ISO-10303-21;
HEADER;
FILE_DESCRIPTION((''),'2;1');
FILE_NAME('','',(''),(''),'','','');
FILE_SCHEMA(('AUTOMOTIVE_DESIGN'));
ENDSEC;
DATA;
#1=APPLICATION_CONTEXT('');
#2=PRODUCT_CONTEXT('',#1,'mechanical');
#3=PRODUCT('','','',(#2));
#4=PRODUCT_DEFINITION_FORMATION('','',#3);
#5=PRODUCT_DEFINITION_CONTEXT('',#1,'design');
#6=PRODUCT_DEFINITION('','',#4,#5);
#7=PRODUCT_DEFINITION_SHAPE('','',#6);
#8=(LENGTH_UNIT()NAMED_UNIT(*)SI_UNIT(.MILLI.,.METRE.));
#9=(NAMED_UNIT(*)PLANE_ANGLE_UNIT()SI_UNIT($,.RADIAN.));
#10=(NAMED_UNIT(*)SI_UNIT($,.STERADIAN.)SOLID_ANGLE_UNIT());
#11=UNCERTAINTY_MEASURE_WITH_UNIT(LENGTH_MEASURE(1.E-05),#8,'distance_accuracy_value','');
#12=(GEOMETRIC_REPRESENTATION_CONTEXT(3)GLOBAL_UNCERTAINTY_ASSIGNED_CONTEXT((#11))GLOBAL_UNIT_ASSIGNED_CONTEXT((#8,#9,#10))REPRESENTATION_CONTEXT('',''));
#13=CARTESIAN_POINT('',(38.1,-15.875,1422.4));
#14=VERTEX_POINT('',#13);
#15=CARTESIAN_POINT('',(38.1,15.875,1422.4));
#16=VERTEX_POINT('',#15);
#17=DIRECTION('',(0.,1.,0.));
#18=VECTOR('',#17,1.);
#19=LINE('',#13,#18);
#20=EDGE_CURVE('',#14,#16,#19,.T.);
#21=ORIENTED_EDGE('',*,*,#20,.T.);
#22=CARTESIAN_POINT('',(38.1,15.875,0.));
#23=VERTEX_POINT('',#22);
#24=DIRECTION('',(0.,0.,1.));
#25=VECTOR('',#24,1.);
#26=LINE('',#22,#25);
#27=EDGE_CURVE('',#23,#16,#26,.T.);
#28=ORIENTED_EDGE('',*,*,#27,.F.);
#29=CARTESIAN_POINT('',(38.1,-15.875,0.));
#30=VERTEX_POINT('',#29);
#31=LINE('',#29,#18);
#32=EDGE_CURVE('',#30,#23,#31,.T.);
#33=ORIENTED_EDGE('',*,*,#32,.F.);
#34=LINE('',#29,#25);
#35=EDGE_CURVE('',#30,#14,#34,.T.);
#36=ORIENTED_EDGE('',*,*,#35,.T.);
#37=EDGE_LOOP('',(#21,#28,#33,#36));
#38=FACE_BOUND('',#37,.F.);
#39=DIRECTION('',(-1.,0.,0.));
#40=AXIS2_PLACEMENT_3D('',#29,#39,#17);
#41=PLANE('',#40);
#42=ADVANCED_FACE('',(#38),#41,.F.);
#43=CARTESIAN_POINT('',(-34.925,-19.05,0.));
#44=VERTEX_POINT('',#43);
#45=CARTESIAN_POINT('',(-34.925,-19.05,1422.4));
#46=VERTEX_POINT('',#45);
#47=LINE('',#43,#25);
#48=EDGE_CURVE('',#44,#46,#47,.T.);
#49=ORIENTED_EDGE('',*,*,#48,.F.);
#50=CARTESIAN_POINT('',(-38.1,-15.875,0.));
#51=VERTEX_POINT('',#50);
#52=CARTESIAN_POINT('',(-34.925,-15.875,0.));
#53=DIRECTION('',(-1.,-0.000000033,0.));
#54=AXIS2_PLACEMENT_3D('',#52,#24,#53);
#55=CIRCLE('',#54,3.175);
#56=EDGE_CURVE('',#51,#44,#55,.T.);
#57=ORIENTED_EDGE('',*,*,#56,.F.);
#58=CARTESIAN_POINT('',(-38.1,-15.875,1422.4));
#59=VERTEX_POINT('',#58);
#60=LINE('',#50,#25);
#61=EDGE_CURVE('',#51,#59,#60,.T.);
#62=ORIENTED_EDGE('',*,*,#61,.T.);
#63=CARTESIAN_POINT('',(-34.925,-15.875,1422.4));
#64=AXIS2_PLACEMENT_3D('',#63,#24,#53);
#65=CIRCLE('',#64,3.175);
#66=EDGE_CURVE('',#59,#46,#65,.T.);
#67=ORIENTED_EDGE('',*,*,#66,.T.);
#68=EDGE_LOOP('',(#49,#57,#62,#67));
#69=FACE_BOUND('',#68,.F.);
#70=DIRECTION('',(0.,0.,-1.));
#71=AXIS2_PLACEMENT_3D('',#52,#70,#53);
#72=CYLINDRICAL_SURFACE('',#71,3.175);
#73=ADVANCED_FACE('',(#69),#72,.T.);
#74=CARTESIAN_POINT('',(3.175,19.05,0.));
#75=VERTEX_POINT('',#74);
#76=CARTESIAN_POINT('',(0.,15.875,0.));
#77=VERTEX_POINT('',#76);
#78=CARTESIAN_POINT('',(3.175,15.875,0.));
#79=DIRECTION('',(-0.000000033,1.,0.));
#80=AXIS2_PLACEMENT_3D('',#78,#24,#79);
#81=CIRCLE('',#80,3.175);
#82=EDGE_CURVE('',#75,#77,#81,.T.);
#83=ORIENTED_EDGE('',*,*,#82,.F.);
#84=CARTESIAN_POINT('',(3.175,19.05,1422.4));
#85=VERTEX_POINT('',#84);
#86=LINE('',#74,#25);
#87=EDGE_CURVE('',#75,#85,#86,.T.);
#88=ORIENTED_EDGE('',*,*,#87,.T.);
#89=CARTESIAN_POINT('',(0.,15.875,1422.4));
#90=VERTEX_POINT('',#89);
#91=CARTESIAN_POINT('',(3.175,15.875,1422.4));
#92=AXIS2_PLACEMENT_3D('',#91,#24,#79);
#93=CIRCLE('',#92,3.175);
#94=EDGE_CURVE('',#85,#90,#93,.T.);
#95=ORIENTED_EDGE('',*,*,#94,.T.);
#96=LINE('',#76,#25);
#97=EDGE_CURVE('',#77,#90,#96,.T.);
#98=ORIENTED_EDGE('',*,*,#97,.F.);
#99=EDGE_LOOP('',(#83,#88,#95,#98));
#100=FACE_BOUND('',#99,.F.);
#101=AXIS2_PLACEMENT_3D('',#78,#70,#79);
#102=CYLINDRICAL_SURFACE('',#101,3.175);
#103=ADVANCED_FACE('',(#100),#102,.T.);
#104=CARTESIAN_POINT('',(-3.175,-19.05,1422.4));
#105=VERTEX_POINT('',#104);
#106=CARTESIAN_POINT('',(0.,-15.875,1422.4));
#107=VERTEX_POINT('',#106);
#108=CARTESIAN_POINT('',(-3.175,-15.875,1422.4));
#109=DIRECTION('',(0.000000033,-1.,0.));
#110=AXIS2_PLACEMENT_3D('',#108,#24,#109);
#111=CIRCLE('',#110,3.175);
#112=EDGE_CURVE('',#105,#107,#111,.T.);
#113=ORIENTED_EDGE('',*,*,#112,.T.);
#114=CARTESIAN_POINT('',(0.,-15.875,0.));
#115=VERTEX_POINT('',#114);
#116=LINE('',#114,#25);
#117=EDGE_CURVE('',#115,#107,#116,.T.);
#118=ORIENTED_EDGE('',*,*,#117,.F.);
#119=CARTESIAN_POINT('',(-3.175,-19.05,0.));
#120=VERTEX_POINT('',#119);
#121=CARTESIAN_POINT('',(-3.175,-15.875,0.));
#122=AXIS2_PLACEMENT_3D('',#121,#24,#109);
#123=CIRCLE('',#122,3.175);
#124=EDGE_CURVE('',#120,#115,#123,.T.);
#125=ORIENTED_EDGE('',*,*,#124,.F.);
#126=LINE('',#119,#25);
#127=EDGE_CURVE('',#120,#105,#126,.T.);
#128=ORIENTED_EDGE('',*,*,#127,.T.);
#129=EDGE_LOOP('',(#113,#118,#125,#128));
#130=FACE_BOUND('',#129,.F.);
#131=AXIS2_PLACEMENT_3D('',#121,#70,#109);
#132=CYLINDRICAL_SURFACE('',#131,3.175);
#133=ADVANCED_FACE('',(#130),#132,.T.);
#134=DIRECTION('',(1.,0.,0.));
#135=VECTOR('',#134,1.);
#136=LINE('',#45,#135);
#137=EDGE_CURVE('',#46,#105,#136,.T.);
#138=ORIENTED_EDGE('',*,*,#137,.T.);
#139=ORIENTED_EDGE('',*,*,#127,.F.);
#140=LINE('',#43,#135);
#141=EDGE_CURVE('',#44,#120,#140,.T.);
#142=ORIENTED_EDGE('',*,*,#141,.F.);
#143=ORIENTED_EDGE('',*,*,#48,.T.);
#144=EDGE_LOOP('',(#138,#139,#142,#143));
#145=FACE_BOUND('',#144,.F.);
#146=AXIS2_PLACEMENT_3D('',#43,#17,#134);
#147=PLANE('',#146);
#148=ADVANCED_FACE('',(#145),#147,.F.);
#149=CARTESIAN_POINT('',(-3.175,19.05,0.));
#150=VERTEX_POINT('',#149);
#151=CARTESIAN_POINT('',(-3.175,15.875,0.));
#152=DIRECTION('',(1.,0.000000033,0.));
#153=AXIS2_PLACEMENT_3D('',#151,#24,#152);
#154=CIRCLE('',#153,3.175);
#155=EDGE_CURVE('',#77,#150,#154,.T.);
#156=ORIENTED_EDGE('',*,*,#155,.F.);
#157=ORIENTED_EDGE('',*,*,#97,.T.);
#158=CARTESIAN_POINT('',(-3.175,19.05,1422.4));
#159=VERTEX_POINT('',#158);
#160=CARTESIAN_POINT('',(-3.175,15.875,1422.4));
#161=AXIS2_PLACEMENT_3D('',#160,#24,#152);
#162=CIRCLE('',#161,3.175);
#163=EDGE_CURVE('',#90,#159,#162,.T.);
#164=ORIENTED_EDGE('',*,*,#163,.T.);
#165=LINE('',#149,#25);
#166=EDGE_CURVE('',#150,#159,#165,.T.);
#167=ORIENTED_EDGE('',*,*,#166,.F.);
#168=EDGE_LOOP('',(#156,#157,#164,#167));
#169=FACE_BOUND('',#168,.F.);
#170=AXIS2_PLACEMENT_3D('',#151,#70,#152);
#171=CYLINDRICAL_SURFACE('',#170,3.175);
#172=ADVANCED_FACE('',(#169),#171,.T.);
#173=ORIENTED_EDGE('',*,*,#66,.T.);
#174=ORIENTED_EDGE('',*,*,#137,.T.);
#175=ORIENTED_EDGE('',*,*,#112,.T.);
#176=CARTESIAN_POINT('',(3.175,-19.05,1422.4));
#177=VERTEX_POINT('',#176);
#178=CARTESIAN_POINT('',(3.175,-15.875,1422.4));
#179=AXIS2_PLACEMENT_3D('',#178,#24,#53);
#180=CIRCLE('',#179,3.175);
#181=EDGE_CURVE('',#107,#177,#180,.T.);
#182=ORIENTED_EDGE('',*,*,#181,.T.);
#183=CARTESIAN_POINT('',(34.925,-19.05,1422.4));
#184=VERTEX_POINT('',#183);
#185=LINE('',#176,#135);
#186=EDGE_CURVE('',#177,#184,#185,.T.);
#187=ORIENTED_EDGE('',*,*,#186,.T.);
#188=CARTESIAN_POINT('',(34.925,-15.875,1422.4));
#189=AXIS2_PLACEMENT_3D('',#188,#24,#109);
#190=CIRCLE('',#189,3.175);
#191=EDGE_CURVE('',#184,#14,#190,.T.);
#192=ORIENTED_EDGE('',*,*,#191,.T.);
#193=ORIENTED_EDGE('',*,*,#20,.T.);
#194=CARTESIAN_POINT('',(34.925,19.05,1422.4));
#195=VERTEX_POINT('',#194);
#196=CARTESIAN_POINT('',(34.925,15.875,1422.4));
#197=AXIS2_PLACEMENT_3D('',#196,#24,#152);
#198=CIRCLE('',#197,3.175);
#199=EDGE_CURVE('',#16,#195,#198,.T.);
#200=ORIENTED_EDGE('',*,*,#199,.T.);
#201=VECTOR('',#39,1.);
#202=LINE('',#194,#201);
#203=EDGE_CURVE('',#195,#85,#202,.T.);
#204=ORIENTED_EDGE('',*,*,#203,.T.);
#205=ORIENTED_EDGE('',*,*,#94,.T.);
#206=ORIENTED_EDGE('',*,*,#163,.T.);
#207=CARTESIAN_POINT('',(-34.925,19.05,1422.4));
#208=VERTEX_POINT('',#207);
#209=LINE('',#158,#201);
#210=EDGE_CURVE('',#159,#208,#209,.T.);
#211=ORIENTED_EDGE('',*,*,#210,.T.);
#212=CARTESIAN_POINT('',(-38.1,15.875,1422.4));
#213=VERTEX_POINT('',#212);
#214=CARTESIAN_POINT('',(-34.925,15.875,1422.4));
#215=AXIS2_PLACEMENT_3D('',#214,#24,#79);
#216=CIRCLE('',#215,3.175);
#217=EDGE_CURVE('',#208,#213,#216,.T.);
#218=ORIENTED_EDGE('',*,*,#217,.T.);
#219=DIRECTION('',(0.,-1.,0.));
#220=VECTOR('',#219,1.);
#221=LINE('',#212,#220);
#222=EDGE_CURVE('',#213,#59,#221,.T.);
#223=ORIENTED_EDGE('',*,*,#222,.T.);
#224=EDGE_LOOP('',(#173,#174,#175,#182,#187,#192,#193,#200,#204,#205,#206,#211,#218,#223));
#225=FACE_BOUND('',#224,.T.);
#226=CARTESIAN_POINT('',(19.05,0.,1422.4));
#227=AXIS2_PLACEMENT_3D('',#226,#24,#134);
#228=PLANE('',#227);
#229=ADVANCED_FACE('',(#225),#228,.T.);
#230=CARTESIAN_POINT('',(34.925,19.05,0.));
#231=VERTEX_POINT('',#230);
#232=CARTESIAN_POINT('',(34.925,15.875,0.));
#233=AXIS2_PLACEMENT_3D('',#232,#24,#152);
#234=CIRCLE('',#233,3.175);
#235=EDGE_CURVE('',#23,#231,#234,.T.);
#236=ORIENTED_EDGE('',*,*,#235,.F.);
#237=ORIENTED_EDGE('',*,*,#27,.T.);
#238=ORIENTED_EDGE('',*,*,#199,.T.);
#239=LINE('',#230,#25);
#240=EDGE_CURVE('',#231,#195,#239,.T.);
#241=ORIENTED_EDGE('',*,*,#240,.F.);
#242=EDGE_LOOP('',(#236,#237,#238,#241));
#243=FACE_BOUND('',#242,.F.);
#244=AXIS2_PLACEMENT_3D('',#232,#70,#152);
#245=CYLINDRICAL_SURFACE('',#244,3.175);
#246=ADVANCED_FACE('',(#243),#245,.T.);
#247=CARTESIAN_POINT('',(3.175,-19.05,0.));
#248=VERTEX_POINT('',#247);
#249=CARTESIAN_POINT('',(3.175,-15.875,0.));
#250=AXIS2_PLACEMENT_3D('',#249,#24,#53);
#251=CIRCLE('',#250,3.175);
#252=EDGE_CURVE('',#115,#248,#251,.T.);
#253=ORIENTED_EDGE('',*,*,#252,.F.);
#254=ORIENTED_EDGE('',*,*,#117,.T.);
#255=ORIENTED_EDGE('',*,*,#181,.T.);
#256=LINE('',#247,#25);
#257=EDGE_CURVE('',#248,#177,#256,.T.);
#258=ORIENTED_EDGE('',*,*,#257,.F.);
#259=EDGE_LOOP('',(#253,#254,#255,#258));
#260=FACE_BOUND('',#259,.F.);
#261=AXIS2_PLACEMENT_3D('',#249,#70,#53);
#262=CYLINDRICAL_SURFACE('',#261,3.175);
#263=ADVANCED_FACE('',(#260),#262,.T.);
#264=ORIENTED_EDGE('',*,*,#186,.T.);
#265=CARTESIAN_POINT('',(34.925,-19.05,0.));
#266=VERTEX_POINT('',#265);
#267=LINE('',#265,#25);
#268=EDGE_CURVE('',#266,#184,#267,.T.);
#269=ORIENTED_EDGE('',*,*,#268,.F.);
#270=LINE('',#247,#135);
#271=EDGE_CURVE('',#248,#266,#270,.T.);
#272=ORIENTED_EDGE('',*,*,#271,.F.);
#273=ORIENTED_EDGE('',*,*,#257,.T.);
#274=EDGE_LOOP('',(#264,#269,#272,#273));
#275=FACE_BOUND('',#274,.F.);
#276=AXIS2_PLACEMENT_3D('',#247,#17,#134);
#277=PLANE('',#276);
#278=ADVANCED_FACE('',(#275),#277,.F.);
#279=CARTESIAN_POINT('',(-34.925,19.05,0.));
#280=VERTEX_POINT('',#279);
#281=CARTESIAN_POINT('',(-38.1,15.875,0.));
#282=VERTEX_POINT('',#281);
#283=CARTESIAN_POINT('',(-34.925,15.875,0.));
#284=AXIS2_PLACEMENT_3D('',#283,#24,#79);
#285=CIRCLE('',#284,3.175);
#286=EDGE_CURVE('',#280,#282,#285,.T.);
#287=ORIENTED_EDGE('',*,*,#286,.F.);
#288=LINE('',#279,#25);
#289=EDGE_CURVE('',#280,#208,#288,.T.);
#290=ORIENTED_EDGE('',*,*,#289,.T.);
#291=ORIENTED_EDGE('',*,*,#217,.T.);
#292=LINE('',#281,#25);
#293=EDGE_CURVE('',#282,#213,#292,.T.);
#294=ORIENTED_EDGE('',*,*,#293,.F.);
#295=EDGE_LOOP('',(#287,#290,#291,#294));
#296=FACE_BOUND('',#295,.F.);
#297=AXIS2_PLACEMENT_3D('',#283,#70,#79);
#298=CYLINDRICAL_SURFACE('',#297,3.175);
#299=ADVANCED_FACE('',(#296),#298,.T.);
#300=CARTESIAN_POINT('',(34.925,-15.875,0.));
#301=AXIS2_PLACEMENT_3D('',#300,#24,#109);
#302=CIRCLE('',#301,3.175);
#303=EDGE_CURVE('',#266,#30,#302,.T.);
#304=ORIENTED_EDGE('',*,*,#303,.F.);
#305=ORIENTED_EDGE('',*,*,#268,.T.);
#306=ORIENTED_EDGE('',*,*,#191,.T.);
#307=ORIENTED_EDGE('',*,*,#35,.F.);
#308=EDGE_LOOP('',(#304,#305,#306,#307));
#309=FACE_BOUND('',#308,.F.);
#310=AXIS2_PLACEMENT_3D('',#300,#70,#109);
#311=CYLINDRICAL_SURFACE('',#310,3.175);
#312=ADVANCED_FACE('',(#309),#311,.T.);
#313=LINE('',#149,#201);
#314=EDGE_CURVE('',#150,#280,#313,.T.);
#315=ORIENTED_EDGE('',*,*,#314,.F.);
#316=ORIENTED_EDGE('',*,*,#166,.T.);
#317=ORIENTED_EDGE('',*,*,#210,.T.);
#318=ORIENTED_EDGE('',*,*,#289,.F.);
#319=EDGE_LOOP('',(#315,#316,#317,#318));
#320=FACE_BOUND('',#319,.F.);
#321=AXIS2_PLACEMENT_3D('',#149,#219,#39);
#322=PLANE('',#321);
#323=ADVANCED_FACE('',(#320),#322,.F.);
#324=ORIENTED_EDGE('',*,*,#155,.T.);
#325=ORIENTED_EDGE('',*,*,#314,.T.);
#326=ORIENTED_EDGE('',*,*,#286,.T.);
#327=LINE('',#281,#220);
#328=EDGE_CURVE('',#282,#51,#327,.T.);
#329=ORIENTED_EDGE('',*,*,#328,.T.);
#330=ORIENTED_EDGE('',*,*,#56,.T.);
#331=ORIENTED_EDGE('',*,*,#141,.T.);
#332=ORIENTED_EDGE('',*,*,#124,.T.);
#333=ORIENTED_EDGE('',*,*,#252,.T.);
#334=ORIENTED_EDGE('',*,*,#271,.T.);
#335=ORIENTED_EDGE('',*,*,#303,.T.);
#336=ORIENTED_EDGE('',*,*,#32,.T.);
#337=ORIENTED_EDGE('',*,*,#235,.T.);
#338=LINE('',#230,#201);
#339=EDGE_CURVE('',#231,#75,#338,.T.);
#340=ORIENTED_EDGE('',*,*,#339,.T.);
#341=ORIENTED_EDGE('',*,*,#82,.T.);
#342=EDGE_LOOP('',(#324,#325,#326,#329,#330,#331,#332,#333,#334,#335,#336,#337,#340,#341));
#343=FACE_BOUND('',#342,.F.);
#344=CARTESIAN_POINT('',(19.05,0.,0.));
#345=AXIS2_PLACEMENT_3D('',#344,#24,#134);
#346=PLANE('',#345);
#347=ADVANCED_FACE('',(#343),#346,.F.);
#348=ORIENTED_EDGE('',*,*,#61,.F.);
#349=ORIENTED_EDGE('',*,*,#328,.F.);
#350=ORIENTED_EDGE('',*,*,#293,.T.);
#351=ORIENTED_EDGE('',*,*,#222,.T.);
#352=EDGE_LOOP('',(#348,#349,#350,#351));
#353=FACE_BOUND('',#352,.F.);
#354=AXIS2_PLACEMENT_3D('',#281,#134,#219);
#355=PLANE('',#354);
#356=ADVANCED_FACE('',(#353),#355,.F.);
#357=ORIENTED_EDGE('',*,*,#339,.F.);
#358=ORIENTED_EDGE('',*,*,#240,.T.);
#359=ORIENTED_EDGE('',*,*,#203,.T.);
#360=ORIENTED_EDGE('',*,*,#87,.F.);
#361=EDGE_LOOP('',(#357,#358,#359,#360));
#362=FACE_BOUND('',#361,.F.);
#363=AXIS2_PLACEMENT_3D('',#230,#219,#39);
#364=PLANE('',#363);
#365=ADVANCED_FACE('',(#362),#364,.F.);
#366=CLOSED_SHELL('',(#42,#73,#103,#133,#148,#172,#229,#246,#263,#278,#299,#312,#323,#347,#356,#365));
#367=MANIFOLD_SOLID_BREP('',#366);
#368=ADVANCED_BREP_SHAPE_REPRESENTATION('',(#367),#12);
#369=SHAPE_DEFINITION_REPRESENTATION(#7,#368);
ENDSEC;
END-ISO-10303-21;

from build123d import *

# Parameters (mm, degrees)
F1_DEPTH = 1422.4


with BuildPart() as f1:
    # F0 (on Top) → F1 (new body)
    with BuildSketch(Plane.XY):
        with BuildLine():
            ThreePointArc((38.1, 15.875), (37.170064, 18.120064), (34.925, 19.05))
            Line((34.925, 19.05), (3.175, 19.05))
            ThreePointArc((3.175, 19.05), (0.929936, 18.120064), (0, 15.875))
            Line((0, 15.875), (0, -15.875))
            ThreePointArc((0, -15.875), (0.929936, -18.120064), (3.175, -19.05))
            Line((3.175, -19.05), (34.925, -19.05))
            ThreePointArc((34.925, -19.05), (37.170064, -18.120064), (38.1, -15.875))
            Line((38.1, -15.875), (38.1, 15.875))
        make_face()
        with BuildLine():
            Line((0, -15.875), (0, 15.875))
            ThreePointArc((0, 15.875), (-0.929936, 18.120064), (-3.175, 19.05))
            Line((-3.175, 19.05), (-34.925, 19.05))
            ThreePointArc((-34.925, 19.05), (-37.170064, 18.120064), (-38.1, 15.875))
            Line((-38.1, 15.875), (-38.1, -15.875))
            ThreePointArc((-38.1, -15.875), (-37.170064, -18.120064), (-34.925, -19.05))
            Line((-34.925, -19.05), (-3.175, -19.05))
            ThreePointArc((-3.175, -19.05), (-0.929936, -18.120064), (0, -15.875))
        make_face()
    extrude(amount=F1_DEPTH)


solid = f1.part
